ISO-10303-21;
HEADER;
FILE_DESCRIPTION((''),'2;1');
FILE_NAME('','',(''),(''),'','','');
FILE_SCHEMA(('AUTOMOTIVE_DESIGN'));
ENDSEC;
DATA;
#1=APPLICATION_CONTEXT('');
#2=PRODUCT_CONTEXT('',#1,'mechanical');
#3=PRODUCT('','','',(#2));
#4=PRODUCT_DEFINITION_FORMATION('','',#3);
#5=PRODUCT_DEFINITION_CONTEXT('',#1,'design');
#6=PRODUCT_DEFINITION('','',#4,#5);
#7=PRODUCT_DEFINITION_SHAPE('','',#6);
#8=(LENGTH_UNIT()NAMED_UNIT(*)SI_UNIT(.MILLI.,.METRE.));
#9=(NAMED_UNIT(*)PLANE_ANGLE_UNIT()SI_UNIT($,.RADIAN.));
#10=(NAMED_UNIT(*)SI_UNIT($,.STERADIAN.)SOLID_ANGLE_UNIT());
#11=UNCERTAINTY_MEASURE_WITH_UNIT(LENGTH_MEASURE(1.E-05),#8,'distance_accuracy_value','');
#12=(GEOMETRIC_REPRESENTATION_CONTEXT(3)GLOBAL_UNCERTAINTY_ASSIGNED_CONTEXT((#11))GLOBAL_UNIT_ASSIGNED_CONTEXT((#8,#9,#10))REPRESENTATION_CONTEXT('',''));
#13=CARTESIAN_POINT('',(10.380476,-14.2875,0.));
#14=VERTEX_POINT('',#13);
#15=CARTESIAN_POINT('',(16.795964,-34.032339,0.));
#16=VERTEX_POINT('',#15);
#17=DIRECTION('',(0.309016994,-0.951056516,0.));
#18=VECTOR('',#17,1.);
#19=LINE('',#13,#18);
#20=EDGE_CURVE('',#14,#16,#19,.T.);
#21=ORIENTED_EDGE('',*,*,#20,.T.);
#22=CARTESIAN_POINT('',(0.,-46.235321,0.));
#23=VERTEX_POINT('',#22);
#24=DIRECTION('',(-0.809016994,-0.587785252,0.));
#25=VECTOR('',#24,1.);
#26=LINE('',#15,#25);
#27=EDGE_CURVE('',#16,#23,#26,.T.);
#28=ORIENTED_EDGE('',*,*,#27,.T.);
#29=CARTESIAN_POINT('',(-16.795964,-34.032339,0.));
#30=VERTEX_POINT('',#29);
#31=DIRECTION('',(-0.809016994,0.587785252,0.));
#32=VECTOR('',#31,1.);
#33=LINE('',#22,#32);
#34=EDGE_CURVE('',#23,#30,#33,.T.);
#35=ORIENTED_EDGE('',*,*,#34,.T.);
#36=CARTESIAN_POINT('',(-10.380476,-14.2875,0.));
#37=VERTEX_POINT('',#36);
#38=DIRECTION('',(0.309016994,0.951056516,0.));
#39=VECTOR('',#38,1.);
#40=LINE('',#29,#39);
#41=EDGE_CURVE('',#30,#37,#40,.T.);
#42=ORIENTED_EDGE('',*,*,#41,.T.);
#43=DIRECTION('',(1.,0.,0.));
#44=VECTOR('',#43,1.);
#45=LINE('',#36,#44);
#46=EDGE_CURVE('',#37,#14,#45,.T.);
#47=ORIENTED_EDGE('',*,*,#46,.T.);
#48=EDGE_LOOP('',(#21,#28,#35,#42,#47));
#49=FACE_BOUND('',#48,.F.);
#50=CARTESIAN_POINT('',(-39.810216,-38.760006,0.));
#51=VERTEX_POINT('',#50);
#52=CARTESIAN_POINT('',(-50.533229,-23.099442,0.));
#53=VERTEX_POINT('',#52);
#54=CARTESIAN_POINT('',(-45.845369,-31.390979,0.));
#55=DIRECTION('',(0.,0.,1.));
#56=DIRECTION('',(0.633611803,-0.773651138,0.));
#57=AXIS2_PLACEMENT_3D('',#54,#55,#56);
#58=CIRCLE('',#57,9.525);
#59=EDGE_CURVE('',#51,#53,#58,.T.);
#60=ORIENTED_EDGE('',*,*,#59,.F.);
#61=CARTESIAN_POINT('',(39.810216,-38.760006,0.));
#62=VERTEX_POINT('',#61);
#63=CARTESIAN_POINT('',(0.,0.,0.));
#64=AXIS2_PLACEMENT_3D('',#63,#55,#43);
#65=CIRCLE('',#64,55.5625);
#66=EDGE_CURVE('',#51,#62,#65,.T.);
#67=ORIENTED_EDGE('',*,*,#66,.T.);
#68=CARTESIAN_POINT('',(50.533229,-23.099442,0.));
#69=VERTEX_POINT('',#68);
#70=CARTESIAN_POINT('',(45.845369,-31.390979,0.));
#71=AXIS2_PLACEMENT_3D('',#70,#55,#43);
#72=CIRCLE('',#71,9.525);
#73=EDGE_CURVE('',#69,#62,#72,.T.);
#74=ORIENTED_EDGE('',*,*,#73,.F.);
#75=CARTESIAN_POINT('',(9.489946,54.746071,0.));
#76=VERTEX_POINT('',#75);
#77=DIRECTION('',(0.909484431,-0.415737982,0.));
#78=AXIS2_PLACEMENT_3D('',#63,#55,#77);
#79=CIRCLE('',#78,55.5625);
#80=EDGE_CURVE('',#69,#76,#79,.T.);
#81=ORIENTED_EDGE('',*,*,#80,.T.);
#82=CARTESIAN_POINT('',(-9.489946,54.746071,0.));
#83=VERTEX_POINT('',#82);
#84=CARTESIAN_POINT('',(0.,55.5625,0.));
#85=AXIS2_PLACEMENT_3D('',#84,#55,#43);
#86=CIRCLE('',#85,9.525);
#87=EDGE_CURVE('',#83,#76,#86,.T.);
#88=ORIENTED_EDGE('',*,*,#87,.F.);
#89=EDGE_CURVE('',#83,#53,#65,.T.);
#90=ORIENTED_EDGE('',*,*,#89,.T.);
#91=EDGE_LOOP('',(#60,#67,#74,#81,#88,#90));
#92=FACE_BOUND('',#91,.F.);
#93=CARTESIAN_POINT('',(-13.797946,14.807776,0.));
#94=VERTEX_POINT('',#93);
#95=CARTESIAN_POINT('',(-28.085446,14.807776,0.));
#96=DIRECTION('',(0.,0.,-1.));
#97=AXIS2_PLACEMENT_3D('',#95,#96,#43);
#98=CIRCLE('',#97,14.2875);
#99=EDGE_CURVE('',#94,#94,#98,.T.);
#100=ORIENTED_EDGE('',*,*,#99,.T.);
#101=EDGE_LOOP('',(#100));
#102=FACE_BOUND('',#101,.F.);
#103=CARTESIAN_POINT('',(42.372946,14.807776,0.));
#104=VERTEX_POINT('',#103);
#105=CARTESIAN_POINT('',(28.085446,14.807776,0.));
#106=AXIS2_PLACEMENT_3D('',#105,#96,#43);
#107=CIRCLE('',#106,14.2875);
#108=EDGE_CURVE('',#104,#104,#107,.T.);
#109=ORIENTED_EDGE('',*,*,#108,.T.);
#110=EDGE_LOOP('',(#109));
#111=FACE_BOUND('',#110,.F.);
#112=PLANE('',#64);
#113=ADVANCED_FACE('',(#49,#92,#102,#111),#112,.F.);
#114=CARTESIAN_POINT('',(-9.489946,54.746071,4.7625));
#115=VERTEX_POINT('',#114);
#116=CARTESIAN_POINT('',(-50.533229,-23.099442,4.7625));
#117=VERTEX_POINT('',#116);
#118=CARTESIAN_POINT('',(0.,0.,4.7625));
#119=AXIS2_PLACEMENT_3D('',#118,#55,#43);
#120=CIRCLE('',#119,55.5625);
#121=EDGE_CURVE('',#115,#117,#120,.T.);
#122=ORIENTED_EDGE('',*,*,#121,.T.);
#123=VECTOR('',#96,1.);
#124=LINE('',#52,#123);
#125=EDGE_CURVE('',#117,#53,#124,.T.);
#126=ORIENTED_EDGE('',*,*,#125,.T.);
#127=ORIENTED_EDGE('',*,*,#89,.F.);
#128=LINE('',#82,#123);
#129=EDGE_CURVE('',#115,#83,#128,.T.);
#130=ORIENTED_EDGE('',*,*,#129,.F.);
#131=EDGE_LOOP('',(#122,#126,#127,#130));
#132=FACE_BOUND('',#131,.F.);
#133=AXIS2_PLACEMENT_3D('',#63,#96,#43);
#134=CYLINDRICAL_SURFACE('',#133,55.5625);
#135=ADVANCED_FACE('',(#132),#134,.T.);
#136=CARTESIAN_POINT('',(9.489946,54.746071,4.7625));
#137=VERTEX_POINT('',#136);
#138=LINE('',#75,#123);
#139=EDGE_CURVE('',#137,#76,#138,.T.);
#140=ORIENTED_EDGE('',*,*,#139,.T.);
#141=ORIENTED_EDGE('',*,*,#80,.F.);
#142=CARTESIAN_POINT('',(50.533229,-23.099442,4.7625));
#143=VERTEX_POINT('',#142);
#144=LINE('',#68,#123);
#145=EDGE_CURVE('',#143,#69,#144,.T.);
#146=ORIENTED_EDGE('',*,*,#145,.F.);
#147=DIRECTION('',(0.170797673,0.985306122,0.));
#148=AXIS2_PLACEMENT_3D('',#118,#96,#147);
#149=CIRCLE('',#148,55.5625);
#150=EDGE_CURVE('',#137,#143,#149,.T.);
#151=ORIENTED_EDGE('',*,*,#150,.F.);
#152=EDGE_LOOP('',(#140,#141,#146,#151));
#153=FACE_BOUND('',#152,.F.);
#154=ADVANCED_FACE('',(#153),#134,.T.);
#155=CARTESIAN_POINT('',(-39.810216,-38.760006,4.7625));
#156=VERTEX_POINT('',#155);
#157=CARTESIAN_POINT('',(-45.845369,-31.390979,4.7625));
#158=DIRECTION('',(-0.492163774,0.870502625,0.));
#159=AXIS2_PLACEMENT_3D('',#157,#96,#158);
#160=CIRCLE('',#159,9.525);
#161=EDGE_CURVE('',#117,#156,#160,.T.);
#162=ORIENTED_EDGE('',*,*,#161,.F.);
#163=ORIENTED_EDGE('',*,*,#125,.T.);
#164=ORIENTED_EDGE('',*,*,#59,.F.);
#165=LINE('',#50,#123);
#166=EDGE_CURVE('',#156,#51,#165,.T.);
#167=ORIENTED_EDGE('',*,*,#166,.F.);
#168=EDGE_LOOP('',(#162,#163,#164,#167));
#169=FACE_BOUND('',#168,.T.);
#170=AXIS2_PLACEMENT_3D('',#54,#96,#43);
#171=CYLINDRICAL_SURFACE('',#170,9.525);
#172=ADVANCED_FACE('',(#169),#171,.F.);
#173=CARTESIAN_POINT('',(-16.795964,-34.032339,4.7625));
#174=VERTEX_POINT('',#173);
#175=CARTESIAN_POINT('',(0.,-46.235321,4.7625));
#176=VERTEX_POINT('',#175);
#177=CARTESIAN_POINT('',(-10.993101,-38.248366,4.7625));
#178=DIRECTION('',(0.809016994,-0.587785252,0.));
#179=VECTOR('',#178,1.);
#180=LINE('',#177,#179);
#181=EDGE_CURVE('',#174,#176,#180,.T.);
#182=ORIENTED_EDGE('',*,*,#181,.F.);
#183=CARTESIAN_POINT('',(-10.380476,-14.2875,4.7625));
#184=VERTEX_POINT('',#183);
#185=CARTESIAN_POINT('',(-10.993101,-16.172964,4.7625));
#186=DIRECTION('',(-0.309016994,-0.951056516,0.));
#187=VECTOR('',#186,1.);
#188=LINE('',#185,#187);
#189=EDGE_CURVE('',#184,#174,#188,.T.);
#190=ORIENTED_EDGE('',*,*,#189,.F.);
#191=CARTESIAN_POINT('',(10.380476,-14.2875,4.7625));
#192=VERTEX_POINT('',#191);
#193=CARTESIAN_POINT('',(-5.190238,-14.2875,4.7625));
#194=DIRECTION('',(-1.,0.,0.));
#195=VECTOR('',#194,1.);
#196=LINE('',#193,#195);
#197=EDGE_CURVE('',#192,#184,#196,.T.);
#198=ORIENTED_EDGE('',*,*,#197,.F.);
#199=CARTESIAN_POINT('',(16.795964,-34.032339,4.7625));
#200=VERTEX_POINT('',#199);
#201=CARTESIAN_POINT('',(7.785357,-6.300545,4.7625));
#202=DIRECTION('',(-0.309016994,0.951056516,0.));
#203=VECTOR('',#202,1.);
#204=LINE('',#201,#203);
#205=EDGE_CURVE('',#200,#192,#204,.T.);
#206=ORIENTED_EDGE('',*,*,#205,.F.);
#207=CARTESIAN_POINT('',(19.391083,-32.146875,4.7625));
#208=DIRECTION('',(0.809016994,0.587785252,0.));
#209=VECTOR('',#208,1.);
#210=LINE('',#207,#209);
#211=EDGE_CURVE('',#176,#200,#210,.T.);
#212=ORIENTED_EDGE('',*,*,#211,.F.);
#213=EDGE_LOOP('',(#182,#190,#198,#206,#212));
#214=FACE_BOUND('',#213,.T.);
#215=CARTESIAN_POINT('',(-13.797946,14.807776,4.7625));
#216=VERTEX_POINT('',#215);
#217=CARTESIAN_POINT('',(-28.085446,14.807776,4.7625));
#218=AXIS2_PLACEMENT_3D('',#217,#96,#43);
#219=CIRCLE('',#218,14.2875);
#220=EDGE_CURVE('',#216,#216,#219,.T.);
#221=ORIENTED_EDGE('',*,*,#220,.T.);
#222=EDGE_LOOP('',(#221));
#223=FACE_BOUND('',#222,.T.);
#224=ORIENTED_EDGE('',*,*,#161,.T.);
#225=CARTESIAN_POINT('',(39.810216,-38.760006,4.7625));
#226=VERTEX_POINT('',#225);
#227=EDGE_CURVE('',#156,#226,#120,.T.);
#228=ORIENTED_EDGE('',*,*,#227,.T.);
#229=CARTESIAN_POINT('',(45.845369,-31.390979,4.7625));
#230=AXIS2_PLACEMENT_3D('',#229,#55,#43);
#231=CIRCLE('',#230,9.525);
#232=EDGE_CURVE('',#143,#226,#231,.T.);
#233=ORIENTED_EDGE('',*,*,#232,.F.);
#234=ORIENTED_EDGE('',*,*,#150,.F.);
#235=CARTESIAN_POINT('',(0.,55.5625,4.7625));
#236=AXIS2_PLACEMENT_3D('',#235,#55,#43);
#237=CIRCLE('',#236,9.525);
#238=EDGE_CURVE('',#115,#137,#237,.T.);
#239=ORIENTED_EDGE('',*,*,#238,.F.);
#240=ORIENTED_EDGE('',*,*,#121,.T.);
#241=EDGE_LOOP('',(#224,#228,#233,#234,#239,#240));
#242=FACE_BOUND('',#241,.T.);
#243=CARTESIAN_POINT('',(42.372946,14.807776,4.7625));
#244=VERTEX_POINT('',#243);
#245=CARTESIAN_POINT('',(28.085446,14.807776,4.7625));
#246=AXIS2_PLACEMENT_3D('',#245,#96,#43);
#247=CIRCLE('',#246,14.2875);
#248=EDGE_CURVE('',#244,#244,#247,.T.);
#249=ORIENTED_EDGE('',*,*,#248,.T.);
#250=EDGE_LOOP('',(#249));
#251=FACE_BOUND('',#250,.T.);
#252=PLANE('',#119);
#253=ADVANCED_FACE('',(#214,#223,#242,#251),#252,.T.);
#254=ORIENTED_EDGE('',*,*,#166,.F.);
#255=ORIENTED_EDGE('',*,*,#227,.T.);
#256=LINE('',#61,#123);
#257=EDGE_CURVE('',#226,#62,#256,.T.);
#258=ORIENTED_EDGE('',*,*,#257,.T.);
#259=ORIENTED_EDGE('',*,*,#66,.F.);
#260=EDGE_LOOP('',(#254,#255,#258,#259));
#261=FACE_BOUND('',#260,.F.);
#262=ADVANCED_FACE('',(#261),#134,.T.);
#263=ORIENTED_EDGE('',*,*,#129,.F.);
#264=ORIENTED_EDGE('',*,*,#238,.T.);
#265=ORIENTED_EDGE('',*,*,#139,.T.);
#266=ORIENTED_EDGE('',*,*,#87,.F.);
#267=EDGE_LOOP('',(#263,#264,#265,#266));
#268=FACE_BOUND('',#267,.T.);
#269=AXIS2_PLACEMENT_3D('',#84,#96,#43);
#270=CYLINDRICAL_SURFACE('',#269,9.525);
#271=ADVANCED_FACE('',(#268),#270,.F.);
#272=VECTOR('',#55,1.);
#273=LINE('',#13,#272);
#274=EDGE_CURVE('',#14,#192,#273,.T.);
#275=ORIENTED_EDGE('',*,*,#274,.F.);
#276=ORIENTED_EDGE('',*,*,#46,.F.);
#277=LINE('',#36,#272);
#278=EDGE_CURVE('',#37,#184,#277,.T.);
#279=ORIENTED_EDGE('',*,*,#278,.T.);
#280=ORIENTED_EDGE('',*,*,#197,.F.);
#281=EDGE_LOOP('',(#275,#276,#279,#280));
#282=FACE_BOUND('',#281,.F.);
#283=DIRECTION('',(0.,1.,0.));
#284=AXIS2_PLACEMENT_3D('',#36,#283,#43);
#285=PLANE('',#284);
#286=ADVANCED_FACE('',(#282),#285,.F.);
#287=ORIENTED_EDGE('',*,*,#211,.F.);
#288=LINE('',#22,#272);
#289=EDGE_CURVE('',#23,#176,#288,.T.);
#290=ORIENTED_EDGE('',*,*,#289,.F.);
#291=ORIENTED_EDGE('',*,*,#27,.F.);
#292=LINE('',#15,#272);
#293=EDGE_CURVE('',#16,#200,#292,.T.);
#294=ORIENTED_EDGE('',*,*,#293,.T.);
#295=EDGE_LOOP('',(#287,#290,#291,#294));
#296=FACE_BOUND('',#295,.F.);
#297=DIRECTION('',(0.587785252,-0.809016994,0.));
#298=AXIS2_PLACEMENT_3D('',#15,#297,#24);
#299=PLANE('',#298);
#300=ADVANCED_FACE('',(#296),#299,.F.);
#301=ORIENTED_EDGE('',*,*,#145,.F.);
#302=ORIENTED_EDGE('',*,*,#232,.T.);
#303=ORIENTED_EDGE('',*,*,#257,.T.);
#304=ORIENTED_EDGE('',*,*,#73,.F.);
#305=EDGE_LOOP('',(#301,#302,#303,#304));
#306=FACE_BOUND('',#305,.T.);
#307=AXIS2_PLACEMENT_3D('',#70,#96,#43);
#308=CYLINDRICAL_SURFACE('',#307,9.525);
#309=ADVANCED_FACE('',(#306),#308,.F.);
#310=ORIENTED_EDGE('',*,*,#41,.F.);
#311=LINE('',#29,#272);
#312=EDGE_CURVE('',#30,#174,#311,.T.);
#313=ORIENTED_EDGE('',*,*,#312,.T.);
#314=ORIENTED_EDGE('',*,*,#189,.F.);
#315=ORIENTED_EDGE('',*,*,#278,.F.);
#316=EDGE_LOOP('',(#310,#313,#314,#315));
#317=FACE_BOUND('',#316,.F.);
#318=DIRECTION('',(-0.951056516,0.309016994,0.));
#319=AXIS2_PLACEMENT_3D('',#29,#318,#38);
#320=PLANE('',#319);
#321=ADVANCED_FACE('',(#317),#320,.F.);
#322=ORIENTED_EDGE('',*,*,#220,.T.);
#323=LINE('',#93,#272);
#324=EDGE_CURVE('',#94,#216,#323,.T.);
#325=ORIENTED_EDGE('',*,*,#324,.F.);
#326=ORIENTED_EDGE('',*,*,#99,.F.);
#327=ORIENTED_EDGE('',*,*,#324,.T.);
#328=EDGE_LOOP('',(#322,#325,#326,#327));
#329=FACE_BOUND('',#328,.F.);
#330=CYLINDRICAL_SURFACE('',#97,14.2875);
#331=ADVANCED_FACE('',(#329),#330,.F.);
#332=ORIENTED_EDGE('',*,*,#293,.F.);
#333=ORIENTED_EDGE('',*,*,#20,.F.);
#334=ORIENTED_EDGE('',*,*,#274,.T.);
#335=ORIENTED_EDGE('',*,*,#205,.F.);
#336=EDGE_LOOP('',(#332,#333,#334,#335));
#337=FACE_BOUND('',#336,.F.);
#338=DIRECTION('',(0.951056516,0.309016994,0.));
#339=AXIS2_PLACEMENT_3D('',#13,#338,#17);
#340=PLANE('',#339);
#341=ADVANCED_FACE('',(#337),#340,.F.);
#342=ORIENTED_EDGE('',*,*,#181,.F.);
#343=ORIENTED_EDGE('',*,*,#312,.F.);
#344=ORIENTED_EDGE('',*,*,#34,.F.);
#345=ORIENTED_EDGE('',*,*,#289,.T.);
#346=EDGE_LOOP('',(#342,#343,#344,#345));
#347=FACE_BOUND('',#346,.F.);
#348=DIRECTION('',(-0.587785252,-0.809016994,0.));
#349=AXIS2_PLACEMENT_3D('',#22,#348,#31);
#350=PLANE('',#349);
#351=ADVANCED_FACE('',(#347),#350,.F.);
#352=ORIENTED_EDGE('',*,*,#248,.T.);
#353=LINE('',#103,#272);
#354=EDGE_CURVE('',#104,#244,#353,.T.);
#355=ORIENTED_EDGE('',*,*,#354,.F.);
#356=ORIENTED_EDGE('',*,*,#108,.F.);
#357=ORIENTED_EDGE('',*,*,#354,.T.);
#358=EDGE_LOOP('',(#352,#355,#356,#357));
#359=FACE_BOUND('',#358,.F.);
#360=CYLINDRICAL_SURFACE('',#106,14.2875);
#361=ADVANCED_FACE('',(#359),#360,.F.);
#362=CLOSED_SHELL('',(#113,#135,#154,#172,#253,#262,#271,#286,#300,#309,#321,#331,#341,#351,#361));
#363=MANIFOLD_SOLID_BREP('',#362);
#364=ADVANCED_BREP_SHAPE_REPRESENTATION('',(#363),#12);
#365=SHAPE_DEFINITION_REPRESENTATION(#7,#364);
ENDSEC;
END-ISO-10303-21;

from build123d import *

# Parameters (mm, degrees)
F0_R     = 55.5625
F2_DEPTH = 4.7625
F1_R     = 9.525
F3_DEPTH = 4.7625
F5_R     = 14.2875
F6_DEPTH = 25.4


with BuildPart() as f2:
    # F0 (on Top) → F2 (new body)
    with BuildSketch(Plane.XY):
        Circle(F0_R)
    extrude(amount=F2_DEPTH)

    # F1 (on Top) → F3 (cut, through all)
    with BuildSketch(Plane.XY):
        with Locations((-45.8453687481, -31.3909791278)):
            Circle(F1_R)
        with Locations((0, 55.5625)):
            Circle(F1_R)
        with Locations((45.8453687481, -31.3909791278)):
            Circle(F1_R)
    extrude(amount=F3_DEPTH, mode=Mode.SUBTRACT)

    # F5 (on face) → F6 (cut)
    with BuildSketch(Plane(origin=(0, 0, 0), x_dir=(1, 0, 0), z_dir=(0, 0, -1))):
        with Locations((-28.0854459631, -14.8077758308)):
            Circle(F5_R)
        with Locations((28.0854459631, -14.8077758308)):
            Circle(F5_R)
        Polygon((16.7959635843, 34.0323393857), (0, 46.2353212285), (-16.7959635843, 34.0323393857), (-10.3804763689, 14.2875), (10.3804763689, 14.2875), align=None)
    extrude(amount=-F6_DEPTH, mode=Mode.SUBTRACT)


solid = f2.part
